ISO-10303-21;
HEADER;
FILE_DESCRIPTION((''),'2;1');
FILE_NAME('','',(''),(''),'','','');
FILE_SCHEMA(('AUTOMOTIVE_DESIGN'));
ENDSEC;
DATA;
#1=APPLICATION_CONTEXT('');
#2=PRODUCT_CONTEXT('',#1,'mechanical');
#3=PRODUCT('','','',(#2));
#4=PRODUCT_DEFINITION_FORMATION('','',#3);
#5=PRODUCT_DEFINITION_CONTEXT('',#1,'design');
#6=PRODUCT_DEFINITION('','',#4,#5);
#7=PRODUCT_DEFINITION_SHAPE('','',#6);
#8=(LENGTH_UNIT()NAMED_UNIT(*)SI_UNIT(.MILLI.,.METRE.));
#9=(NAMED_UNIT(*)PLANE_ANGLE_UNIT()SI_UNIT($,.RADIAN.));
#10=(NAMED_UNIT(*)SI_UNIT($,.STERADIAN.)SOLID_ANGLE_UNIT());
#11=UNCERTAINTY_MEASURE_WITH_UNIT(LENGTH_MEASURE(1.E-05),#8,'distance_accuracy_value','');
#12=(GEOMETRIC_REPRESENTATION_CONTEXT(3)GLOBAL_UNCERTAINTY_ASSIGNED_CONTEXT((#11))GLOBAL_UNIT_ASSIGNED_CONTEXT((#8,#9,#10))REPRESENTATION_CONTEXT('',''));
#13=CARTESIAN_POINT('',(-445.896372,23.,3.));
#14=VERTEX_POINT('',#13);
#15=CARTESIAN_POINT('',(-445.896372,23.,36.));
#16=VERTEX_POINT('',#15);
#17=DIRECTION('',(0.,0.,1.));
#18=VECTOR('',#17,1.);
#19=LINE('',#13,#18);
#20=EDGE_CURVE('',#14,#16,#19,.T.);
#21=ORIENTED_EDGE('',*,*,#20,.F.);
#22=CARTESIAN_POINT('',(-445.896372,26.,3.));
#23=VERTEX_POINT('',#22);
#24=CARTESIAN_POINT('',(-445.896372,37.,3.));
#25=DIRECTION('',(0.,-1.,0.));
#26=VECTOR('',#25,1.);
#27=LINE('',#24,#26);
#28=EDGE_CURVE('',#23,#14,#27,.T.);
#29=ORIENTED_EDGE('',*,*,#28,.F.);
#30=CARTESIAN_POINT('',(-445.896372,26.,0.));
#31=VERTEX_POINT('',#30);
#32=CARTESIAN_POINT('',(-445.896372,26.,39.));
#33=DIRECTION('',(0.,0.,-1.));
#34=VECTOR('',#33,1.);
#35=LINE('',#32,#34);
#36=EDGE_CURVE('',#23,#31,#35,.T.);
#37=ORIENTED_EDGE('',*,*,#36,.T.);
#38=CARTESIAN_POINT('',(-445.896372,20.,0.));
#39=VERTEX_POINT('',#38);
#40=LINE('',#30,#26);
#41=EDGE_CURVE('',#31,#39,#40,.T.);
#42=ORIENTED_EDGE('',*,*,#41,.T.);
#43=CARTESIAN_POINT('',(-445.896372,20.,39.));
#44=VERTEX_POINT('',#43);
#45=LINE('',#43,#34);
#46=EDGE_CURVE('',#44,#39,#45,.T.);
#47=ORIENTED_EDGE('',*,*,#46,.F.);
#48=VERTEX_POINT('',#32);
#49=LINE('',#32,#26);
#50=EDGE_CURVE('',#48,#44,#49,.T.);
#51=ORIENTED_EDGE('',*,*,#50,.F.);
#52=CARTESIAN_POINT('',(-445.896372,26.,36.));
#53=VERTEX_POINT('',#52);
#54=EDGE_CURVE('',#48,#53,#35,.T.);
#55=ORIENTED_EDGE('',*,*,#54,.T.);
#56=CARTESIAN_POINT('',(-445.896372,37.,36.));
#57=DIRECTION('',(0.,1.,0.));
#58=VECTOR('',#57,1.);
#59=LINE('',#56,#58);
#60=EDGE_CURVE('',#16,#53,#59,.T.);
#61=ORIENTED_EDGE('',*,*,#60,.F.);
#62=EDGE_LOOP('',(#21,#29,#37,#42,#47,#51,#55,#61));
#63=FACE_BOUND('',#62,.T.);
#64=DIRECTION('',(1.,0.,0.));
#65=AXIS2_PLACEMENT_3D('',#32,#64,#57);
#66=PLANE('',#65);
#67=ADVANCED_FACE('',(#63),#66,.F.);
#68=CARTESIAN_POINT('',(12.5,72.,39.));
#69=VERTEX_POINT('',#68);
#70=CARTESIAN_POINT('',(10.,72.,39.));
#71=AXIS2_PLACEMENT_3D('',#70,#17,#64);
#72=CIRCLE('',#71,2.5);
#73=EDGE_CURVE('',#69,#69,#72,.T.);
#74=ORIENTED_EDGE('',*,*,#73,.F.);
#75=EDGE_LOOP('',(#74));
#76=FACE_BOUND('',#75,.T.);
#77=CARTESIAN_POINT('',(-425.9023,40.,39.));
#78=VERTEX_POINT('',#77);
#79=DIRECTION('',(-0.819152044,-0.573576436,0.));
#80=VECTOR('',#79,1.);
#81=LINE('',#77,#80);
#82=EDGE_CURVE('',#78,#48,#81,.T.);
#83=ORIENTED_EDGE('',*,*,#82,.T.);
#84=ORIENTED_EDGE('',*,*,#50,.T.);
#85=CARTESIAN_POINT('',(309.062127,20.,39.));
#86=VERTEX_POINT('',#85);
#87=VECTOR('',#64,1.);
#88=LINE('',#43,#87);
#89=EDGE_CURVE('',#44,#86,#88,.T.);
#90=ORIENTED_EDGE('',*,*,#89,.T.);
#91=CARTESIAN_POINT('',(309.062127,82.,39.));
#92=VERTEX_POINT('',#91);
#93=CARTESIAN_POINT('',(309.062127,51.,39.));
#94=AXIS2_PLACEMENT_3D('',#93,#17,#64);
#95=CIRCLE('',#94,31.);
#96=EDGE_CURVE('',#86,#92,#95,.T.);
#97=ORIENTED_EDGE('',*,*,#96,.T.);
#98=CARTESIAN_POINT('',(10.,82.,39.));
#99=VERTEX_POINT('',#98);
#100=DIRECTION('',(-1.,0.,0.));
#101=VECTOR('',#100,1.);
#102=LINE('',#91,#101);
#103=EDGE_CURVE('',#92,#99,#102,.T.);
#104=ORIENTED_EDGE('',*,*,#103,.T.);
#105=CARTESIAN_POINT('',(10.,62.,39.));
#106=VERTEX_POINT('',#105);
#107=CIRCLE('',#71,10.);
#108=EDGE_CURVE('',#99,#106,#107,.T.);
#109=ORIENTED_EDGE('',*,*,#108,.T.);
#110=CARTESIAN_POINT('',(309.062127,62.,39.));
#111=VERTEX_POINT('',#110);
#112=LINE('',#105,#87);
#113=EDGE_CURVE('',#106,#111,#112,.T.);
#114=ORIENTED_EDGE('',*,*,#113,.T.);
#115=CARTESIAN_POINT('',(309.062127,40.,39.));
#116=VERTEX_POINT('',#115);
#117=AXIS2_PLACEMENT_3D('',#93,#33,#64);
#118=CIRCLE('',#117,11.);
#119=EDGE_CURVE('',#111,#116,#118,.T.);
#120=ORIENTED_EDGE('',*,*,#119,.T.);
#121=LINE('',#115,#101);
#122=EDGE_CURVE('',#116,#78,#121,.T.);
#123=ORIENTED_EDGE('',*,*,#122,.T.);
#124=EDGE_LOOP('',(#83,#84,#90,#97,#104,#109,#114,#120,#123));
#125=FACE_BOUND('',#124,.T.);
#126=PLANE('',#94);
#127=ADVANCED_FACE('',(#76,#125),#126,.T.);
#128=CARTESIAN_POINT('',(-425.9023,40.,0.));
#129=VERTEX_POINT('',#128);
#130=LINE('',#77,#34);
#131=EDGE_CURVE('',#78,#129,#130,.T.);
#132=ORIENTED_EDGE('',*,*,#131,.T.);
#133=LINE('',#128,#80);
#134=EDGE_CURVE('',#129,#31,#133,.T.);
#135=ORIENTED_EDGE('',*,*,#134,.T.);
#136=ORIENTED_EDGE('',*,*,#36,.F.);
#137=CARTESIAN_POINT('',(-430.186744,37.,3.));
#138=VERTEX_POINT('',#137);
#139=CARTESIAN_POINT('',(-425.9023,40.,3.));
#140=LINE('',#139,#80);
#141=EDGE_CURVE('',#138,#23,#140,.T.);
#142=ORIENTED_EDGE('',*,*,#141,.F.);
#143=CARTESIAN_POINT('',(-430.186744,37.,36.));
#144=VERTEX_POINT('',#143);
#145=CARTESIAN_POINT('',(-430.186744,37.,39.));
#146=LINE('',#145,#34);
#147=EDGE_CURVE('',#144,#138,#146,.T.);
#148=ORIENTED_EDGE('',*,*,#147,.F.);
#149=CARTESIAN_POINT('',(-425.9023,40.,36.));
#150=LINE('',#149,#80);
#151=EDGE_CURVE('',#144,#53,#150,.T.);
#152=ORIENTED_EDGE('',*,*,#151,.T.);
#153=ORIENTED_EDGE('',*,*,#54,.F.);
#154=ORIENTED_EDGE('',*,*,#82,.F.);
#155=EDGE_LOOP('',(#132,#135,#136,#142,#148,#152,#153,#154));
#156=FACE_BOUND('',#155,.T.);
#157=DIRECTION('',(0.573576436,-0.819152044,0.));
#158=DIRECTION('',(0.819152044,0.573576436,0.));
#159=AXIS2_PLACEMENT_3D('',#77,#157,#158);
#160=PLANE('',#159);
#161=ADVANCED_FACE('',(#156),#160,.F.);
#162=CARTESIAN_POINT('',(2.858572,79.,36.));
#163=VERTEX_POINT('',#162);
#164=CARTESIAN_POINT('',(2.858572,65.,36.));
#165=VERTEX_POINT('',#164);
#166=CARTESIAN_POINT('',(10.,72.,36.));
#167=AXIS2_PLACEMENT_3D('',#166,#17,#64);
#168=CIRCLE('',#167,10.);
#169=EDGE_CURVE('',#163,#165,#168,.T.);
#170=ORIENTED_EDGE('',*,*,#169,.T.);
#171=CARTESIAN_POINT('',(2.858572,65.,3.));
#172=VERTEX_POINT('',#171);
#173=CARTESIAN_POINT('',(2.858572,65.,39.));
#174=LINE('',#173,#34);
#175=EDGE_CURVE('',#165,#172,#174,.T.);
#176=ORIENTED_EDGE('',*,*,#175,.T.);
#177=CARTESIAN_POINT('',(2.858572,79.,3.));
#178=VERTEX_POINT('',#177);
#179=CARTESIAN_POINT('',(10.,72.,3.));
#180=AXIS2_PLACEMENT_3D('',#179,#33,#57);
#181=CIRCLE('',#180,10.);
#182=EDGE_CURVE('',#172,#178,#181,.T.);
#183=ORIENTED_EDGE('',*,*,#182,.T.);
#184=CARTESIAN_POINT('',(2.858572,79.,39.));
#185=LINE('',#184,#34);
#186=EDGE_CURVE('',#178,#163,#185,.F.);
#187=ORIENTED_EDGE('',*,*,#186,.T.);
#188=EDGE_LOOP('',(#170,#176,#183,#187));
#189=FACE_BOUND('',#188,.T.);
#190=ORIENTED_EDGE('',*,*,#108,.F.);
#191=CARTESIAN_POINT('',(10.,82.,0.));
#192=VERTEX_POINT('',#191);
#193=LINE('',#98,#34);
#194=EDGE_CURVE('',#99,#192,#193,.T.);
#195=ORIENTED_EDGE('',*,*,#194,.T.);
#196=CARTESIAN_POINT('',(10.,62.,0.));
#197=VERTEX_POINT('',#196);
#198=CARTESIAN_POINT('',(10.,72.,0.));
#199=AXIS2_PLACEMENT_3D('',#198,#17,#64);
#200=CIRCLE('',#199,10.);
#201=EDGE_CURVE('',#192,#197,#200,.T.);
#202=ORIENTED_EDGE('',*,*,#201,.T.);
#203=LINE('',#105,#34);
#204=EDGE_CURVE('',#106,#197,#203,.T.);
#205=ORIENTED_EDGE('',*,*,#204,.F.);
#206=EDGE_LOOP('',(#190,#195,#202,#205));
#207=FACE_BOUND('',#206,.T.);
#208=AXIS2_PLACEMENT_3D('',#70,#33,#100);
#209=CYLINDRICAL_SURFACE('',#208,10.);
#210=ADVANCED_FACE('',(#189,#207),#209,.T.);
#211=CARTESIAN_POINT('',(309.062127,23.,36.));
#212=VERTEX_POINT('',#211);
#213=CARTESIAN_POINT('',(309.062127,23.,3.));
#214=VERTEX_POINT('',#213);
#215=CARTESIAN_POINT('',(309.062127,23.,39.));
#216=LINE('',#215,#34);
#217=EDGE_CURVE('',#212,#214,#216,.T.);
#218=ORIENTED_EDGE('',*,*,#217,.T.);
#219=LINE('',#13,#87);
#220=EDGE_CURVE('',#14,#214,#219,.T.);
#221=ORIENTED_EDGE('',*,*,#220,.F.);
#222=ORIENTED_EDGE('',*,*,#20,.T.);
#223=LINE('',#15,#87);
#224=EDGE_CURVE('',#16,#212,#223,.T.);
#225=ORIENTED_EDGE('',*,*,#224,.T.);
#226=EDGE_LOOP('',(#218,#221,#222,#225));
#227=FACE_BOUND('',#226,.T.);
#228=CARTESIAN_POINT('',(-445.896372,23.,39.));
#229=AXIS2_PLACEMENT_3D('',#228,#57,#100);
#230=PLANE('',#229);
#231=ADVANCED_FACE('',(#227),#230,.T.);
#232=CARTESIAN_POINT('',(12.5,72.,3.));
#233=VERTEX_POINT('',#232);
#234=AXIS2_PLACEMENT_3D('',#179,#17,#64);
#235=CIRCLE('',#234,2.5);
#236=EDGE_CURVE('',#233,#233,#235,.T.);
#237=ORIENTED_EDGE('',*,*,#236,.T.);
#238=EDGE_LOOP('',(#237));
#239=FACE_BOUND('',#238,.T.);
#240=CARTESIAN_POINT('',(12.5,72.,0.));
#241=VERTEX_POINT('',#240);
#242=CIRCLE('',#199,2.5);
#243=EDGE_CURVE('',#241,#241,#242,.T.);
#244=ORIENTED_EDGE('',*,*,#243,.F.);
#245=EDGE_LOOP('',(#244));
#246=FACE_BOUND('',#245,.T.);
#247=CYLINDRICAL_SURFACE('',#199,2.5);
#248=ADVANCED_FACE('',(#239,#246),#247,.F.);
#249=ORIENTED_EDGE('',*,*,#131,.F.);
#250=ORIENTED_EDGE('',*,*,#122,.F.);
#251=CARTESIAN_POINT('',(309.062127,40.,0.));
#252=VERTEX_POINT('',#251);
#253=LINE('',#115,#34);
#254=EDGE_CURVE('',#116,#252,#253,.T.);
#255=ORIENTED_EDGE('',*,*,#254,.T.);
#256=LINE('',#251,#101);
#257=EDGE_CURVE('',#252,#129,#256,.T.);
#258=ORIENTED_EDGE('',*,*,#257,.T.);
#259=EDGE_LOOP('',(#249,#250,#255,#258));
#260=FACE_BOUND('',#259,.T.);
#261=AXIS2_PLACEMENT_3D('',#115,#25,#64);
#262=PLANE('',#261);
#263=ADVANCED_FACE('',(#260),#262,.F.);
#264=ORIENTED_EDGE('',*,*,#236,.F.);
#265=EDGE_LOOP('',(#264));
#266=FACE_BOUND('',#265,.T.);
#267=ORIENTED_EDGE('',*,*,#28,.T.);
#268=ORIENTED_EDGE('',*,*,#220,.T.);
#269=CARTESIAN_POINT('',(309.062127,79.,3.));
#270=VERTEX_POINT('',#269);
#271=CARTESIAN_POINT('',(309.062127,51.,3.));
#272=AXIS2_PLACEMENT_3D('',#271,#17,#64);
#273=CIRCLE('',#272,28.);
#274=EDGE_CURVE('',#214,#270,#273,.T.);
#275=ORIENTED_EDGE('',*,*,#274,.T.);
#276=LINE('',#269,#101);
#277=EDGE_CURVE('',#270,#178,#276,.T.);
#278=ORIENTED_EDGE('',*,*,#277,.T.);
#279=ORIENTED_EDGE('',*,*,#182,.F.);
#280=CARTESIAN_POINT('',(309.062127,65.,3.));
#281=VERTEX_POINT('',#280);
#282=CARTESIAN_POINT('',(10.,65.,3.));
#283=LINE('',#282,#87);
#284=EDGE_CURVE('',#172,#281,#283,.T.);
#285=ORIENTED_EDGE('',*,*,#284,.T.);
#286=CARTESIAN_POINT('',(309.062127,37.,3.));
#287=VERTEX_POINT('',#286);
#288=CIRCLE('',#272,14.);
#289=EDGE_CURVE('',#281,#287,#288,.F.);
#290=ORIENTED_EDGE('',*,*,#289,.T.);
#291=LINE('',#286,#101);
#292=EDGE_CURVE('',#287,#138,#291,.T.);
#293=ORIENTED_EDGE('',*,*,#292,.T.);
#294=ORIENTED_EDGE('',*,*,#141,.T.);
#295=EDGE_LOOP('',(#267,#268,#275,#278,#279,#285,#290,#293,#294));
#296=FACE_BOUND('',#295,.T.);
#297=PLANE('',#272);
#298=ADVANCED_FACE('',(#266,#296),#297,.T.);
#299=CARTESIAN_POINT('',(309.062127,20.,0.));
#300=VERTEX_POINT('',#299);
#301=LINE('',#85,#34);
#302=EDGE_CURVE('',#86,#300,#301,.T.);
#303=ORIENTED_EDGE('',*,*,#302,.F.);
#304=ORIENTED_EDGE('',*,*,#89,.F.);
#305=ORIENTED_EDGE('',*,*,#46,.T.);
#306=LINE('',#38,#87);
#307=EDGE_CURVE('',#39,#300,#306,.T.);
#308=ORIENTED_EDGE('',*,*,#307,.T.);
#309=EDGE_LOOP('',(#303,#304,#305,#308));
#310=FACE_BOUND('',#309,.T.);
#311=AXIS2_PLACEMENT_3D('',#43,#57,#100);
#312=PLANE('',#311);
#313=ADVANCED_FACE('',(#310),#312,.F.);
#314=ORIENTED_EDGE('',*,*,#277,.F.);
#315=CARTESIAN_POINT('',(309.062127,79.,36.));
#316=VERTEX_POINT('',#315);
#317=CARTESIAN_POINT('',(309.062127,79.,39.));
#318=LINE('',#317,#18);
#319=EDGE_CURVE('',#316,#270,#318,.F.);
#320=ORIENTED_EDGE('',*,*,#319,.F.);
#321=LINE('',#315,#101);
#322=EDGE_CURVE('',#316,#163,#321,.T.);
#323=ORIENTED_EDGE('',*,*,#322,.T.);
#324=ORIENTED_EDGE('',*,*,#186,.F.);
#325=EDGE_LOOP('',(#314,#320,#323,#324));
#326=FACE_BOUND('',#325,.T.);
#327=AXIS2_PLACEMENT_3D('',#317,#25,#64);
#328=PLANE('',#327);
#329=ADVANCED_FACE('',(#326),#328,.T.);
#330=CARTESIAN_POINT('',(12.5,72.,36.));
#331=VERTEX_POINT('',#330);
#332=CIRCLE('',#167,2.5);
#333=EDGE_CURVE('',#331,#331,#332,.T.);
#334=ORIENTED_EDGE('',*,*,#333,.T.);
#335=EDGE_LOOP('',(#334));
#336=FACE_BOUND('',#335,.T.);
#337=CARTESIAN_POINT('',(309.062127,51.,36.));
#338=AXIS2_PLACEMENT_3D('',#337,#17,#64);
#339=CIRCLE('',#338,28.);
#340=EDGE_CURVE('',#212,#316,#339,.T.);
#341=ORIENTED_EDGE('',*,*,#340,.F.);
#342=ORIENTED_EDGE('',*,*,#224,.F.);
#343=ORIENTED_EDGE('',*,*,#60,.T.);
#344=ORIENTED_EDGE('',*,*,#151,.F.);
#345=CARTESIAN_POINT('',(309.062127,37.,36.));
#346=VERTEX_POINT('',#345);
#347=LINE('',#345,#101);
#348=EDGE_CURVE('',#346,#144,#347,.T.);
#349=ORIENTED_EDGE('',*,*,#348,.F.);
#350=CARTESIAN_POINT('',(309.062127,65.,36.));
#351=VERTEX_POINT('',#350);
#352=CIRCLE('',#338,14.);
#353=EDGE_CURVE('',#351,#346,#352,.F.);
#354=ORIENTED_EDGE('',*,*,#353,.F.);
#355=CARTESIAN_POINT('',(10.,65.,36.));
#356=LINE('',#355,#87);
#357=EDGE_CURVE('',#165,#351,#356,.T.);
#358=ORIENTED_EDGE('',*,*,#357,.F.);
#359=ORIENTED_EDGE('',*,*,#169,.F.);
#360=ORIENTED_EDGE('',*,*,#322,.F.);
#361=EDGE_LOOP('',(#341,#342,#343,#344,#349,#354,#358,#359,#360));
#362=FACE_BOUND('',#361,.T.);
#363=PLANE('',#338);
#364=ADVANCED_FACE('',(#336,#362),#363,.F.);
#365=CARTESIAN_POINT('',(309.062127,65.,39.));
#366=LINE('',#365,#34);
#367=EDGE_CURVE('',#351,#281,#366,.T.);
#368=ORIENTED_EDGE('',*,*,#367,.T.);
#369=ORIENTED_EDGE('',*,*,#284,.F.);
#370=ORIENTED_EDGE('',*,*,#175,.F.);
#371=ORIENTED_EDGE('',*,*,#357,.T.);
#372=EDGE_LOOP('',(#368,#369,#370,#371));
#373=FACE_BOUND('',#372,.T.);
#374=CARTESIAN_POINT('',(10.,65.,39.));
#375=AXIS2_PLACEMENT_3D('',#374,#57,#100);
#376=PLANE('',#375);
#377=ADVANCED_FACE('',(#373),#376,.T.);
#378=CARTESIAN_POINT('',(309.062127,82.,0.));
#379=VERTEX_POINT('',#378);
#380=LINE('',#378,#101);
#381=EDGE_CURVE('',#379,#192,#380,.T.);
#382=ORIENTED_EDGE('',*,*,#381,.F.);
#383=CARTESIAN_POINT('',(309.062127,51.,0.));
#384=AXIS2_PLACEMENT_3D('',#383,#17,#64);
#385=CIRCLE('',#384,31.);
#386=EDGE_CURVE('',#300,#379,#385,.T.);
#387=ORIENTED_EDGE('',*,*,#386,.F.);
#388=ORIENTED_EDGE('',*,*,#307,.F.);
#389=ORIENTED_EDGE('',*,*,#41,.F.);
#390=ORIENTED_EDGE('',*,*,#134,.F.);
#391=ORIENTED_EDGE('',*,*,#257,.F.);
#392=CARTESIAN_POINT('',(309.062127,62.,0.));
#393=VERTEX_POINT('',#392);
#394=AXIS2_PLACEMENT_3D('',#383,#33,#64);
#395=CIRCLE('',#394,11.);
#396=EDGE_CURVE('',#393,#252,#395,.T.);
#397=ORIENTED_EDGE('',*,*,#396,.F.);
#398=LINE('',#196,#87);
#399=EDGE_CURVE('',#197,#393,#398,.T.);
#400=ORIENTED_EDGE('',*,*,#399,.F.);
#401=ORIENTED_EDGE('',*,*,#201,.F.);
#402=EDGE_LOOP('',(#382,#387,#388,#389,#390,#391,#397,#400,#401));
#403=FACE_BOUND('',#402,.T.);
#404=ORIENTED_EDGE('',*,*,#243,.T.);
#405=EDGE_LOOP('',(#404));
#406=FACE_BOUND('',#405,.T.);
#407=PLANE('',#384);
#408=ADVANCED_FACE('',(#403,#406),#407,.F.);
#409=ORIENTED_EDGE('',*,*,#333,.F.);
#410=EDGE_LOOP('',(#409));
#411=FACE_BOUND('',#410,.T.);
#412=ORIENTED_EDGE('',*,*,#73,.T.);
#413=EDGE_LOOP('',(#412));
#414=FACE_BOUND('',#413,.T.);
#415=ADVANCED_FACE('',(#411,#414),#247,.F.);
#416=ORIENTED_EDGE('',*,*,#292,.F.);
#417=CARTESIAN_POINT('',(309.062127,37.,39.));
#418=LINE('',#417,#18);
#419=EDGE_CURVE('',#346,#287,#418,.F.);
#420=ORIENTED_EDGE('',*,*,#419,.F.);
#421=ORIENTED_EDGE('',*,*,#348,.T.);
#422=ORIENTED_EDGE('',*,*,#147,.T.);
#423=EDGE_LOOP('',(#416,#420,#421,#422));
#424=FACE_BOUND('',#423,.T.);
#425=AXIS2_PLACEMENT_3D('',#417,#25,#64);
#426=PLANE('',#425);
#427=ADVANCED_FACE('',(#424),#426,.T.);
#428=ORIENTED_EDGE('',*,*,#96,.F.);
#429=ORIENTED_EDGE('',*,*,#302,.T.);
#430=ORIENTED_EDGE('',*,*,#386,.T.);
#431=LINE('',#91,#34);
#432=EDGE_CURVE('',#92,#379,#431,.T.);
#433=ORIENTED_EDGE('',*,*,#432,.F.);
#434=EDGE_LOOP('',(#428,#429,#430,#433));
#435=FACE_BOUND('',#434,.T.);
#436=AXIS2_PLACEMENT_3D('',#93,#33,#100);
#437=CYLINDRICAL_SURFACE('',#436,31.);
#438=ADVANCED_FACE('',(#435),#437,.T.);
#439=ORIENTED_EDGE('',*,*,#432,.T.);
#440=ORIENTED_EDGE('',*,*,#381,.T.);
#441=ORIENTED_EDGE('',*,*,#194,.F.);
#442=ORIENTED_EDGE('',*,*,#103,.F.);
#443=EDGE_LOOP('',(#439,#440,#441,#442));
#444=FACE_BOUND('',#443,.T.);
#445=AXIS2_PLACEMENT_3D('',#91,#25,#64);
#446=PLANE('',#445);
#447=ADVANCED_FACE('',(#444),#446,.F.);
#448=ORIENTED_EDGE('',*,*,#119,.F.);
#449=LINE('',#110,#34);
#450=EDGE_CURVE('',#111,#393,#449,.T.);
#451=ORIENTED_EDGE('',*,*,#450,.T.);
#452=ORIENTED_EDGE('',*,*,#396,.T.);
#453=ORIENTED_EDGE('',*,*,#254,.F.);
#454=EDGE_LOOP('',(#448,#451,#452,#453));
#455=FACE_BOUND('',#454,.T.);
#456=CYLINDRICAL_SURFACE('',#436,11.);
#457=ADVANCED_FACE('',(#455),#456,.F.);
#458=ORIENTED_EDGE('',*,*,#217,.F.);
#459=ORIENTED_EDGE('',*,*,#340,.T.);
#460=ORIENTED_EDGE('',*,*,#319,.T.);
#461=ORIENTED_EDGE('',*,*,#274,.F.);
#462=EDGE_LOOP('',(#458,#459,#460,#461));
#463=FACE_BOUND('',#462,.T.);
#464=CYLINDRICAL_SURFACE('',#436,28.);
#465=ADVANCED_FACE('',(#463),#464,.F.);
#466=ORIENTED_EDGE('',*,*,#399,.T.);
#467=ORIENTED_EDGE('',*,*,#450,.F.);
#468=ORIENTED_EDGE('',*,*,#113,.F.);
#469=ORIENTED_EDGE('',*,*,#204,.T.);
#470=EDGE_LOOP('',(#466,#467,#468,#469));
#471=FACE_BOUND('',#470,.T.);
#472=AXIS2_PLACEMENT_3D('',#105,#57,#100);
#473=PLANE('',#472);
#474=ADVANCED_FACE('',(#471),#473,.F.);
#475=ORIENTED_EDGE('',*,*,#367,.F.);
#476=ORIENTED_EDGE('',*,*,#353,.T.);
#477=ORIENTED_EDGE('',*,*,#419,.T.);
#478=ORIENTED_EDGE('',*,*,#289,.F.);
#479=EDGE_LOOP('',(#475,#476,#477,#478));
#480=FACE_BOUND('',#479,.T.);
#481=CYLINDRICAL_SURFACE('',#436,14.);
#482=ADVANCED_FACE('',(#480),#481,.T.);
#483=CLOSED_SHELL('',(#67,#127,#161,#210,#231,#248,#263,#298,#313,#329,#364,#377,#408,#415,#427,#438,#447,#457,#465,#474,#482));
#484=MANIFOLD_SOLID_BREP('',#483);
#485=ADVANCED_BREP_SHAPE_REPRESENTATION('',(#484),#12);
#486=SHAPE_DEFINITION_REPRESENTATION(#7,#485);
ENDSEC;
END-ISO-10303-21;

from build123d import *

# Parameters (mm, degrees)
BOSS_EXTRUDE1_DEPTH = 39
SHELL1_T            = -3
SKETCH2_W           = 33
SKETCH2_H           = 14
CUT_EXTRUDE1_DEPTH  = 455.896372
SKETCH3_R           = 2.5
CUT_EXTRUDE2_DEPTH  = 456.047881521


with BuildPart() as part:
    # Sketch1 → Boss-Extrude1 (new body)
    with BuildSketch(Plane.XY):
        with BuildLine():
            Line((309.062127233, 40), (-425.902299809, 40))
            Line((-425.902299809, 40), (-445.896371903, 26))
            Line((-445.896371903, 26), (-445.896371903, 20))
            Line((-445.896371903, 20), (309.062127233, 20))
            ThreePointArc((309.062127233, 20), (340.062127233, 51), (309.062127233, 82))
            Line((309.062127233, 82), (10, 82))
            ThreePointArc((10, 82), (0, 72), (10, 62))
            Line((10, 62), (309.062127233, 62))
            ThreePointArc((309.062127233, 62), (320.062127233, 51), (309.062127233, 40))
        make_face()
    extrude(amount=BOSS_EXTRUDE1_DEPTH)

    # Shell1
    shell1_openings = [part.faces().sort_by_distance(p)[0] for p in [
        (-435.899335856, 33, 19.5),
    ]]
    offset(amount=SHELL1_T, openings=shell1_openings, kind=Kind.INTERSECTION)

    # Sketch2 → Cut-Extrude1 (cut)
    with BuildSketch(Plane.ZY.offset(445.896371903)):
        with Locations((19.5, 72)):
            Rectangle(SKETCH2_W, SKETCH2_H)
        with Locations((19.5, 30)):
            Rectangle(SKETCH2_W, SKETCH2_H)
    extrude(amount=-CUT_EXTRUDE1_DEPTH, mode=Mode.SUBTRACT)

    # Sketch3 → Cut-Extrude2 (cut, through all)
    with BuildSketch(Plane.XY.offset(39)):
        with Locations((10, 72)):
            Circle(SKETCH3_R)
    extrude(amount=-CUT_EXTRUDE2_DEPTH, mode=Mode.SUBTRACT)


solid = part.part
